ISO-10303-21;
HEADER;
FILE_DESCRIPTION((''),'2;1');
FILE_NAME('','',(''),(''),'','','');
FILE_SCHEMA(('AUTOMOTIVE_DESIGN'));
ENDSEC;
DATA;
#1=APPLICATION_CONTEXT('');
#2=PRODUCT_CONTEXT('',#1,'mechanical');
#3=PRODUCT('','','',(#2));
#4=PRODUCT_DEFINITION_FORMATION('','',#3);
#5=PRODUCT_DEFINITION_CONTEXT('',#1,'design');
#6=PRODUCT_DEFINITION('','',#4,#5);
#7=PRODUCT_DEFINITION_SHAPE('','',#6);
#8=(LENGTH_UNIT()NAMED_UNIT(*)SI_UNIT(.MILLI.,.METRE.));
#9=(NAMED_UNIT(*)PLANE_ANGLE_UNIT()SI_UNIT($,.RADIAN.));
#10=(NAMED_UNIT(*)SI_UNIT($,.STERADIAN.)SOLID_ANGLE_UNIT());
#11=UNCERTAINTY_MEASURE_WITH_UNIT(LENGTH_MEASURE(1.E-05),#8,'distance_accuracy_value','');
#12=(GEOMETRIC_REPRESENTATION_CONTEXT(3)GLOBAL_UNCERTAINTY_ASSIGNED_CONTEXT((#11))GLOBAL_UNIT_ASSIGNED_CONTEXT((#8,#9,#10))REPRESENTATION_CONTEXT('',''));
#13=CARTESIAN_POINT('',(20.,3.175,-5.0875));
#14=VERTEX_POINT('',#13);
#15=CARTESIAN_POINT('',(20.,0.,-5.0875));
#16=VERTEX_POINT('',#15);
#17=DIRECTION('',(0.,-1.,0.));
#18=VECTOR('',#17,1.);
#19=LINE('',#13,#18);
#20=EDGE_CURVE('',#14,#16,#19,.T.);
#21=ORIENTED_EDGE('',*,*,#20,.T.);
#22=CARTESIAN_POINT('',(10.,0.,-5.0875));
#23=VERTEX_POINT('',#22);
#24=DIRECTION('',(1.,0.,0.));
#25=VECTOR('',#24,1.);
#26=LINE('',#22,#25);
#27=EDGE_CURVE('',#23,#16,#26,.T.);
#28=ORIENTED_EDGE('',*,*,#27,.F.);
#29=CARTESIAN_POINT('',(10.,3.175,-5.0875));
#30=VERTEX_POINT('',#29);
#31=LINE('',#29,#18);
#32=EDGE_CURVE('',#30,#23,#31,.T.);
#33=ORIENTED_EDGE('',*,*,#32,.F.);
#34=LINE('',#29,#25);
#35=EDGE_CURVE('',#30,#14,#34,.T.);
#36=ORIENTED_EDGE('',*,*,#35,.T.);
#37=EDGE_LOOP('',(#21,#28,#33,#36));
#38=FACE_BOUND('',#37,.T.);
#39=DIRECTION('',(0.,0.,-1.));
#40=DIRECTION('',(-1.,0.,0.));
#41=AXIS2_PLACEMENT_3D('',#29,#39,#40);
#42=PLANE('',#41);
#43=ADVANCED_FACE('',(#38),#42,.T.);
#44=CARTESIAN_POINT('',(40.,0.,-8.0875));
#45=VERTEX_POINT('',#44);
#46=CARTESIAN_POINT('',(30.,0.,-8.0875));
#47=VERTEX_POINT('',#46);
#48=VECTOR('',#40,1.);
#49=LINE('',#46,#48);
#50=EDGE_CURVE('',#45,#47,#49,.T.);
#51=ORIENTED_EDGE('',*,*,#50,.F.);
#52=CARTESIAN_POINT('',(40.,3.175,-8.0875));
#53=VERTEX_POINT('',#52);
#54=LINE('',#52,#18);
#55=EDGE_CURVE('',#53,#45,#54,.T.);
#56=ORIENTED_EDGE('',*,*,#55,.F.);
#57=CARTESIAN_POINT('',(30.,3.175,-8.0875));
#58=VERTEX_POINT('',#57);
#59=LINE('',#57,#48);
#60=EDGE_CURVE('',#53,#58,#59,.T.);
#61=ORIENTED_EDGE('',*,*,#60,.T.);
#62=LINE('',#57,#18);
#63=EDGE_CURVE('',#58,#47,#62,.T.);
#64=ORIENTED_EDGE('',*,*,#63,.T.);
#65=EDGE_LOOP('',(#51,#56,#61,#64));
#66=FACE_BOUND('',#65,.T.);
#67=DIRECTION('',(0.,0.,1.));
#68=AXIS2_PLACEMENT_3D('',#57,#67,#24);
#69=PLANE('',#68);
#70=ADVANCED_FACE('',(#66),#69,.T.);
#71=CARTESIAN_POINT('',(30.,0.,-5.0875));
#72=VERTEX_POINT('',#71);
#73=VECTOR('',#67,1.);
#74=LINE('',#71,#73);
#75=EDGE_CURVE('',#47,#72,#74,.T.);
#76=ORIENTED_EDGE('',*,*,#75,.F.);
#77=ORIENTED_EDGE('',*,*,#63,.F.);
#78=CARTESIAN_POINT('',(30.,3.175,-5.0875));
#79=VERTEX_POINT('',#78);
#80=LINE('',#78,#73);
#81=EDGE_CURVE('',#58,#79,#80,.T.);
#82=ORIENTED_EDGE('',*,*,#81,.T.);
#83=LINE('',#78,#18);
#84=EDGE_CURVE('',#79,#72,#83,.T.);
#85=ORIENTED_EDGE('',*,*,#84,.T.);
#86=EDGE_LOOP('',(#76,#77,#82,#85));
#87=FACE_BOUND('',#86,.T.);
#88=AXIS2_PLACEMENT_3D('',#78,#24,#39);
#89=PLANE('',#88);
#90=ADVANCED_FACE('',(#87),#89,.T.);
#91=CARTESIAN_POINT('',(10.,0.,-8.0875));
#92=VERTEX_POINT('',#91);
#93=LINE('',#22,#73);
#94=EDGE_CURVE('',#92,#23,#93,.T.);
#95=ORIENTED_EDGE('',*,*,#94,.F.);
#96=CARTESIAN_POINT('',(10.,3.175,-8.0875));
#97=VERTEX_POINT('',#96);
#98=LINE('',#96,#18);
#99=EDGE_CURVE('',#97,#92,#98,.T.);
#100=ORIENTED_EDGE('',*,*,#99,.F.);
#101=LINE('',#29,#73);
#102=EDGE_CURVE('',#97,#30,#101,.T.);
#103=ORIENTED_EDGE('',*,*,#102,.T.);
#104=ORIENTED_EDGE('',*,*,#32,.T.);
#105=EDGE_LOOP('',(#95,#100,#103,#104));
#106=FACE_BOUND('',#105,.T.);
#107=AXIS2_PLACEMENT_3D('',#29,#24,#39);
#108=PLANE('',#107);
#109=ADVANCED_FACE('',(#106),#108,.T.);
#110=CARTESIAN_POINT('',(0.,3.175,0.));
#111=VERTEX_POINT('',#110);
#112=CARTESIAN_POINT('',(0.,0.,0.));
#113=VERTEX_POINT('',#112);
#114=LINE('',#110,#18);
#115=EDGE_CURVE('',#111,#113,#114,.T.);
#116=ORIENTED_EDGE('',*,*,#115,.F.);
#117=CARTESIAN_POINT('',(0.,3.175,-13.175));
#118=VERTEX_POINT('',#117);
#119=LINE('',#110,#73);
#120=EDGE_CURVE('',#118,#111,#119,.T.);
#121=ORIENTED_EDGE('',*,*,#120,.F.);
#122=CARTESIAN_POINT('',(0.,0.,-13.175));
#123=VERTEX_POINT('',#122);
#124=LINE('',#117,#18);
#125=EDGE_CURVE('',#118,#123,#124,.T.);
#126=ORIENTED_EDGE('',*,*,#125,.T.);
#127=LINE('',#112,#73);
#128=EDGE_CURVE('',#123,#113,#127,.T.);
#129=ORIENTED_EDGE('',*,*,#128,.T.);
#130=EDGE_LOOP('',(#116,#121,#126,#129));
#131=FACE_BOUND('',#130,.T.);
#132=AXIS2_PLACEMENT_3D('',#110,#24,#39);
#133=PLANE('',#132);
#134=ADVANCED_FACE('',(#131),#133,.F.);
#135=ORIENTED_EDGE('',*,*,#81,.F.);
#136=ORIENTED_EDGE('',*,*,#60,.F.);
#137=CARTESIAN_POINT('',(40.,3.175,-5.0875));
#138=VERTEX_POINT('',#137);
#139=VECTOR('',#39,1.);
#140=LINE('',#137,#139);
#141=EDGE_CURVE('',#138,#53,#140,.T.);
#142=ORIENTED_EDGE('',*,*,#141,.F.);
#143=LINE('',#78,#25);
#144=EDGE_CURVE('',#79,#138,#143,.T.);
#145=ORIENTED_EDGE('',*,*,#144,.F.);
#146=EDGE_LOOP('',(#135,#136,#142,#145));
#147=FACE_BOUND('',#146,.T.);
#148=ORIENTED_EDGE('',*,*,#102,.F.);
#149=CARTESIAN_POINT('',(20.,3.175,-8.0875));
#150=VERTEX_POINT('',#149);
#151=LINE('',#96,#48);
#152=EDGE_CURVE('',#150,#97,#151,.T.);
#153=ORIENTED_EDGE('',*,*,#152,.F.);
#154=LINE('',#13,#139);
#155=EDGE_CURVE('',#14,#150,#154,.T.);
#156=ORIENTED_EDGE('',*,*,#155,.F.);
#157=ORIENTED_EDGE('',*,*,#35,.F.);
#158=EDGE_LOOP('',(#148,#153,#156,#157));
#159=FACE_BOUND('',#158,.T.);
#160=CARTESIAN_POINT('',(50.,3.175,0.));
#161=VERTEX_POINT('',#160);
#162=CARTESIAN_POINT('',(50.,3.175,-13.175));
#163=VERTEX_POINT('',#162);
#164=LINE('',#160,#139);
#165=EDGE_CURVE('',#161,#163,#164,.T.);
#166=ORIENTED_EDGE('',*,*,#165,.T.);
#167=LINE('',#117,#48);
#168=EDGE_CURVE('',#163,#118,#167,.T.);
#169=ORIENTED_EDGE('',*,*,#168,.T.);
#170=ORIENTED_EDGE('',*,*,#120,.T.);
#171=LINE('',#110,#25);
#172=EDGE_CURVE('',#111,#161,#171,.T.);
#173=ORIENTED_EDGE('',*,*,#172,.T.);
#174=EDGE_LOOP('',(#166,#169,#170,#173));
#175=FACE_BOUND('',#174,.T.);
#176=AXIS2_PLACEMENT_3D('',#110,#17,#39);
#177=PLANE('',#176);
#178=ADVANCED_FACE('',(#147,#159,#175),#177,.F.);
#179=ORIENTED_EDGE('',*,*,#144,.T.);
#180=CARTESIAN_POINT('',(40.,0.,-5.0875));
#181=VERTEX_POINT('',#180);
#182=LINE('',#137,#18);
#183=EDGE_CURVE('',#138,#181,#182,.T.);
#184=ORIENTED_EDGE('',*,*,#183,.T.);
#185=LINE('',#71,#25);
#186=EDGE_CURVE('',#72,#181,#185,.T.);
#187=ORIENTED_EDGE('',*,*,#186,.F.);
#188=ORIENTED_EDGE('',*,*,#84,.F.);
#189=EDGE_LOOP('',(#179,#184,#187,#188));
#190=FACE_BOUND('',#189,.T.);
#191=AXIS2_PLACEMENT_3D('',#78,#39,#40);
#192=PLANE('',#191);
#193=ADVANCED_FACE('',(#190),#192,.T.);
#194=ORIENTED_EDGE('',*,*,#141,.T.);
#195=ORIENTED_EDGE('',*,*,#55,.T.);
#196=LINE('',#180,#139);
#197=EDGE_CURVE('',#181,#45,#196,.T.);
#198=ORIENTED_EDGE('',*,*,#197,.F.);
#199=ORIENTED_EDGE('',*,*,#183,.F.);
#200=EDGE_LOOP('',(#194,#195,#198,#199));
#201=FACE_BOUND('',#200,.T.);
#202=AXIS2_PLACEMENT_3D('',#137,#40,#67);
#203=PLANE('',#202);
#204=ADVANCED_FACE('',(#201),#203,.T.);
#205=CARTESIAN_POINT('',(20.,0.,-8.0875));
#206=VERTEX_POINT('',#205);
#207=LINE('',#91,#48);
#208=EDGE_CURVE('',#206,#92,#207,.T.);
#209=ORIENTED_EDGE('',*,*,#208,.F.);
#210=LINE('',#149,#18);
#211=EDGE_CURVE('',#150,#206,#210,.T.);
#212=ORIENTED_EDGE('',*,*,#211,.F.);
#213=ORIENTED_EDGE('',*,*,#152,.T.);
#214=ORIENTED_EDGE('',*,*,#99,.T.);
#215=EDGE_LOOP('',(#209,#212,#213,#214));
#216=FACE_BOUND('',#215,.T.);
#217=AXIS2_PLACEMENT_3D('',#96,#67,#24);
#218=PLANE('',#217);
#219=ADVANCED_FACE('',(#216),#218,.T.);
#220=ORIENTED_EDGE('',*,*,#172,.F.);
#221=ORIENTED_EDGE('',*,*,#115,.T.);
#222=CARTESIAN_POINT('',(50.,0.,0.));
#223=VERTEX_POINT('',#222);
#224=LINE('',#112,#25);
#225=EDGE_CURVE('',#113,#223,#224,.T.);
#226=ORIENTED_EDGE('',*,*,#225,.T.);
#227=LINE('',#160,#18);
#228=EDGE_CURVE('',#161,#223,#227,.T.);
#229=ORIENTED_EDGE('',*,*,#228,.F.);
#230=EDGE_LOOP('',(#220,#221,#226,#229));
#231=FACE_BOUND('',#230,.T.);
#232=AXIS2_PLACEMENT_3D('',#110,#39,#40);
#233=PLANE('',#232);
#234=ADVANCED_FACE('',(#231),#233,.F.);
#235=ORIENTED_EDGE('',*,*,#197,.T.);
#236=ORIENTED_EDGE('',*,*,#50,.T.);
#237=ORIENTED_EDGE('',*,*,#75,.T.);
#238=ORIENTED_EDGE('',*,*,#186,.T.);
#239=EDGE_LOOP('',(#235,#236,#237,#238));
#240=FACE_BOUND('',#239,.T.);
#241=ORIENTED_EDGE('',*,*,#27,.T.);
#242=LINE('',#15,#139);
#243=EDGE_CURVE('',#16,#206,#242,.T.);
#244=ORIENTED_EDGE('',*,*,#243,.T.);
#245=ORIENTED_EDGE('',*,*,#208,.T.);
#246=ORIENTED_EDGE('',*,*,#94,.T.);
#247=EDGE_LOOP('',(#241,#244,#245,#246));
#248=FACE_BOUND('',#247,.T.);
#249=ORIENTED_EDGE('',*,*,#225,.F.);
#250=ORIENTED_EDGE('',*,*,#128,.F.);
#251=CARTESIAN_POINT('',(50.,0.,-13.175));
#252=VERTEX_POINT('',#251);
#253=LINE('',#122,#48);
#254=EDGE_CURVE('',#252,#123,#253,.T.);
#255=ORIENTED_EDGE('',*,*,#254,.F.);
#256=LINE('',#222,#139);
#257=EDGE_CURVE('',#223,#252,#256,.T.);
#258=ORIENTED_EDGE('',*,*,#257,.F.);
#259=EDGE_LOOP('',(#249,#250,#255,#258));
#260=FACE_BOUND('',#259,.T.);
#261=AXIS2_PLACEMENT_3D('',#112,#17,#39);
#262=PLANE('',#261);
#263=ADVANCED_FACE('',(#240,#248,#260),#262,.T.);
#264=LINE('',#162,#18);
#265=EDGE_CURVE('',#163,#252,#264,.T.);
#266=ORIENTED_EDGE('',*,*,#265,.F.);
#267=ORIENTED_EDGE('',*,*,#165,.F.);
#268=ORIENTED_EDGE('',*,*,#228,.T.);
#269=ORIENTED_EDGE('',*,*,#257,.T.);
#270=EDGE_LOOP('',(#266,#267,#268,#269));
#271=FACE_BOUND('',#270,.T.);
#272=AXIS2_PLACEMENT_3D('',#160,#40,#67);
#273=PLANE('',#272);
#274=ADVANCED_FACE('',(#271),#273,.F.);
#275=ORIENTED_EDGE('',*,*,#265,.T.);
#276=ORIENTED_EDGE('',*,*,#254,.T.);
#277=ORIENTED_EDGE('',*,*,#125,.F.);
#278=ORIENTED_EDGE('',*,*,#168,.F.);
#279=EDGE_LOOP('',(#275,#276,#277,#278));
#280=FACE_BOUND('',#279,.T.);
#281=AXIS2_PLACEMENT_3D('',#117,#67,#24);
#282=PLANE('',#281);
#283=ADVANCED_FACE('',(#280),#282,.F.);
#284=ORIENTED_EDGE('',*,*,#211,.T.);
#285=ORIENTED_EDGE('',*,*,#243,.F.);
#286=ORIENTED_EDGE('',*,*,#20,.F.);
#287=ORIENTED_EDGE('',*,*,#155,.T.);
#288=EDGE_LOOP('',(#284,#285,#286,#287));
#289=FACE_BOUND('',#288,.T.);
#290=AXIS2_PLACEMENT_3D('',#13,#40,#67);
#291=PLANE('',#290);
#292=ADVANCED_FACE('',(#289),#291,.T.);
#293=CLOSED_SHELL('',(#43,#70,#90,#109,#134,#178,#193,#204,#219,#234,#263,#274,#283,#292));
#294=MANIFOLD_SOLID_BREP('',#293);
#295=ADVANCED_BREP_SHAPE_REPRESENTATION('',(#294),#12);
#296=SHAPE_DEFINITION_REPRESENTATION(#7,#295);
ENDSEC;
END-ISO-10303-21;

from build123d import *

# Parameters (mm, degrees)
SKETCH1_W           = 50
SKETCH1_H           = 13.175
SKETCH1_W_2         = 10
SKETCH1_H_2         = 3
BOSS_EXTRUDE1_DEPTH = 3.175


with BuildPart() as part:
    # Sketch1 → Boss-Extrude1 (new body)
    with BuildSketch(Plane(origin=(0, 0, 0), x_dir=(1, 0, 0), z_dir=(0, 1, 0))):
        with Locations((25, 6.5875)):
            Rectangle(SKETCH1_W, SKETCH1_H)
        with Locations((35, 6.5875)):
            Rectangle(SKETCH1_W_2, SKETCH1_H_2, mode=Mode.SUBTRACT)
        with Locations((15, 6.5875)):
            Rectangle(SKETCH1_W_2, SKETCH1_H_2, mode=Mode.SUBTRACT)
    extrude(amount=BOSS_EXTRUDE1_DEPTH)


solid = part.part
